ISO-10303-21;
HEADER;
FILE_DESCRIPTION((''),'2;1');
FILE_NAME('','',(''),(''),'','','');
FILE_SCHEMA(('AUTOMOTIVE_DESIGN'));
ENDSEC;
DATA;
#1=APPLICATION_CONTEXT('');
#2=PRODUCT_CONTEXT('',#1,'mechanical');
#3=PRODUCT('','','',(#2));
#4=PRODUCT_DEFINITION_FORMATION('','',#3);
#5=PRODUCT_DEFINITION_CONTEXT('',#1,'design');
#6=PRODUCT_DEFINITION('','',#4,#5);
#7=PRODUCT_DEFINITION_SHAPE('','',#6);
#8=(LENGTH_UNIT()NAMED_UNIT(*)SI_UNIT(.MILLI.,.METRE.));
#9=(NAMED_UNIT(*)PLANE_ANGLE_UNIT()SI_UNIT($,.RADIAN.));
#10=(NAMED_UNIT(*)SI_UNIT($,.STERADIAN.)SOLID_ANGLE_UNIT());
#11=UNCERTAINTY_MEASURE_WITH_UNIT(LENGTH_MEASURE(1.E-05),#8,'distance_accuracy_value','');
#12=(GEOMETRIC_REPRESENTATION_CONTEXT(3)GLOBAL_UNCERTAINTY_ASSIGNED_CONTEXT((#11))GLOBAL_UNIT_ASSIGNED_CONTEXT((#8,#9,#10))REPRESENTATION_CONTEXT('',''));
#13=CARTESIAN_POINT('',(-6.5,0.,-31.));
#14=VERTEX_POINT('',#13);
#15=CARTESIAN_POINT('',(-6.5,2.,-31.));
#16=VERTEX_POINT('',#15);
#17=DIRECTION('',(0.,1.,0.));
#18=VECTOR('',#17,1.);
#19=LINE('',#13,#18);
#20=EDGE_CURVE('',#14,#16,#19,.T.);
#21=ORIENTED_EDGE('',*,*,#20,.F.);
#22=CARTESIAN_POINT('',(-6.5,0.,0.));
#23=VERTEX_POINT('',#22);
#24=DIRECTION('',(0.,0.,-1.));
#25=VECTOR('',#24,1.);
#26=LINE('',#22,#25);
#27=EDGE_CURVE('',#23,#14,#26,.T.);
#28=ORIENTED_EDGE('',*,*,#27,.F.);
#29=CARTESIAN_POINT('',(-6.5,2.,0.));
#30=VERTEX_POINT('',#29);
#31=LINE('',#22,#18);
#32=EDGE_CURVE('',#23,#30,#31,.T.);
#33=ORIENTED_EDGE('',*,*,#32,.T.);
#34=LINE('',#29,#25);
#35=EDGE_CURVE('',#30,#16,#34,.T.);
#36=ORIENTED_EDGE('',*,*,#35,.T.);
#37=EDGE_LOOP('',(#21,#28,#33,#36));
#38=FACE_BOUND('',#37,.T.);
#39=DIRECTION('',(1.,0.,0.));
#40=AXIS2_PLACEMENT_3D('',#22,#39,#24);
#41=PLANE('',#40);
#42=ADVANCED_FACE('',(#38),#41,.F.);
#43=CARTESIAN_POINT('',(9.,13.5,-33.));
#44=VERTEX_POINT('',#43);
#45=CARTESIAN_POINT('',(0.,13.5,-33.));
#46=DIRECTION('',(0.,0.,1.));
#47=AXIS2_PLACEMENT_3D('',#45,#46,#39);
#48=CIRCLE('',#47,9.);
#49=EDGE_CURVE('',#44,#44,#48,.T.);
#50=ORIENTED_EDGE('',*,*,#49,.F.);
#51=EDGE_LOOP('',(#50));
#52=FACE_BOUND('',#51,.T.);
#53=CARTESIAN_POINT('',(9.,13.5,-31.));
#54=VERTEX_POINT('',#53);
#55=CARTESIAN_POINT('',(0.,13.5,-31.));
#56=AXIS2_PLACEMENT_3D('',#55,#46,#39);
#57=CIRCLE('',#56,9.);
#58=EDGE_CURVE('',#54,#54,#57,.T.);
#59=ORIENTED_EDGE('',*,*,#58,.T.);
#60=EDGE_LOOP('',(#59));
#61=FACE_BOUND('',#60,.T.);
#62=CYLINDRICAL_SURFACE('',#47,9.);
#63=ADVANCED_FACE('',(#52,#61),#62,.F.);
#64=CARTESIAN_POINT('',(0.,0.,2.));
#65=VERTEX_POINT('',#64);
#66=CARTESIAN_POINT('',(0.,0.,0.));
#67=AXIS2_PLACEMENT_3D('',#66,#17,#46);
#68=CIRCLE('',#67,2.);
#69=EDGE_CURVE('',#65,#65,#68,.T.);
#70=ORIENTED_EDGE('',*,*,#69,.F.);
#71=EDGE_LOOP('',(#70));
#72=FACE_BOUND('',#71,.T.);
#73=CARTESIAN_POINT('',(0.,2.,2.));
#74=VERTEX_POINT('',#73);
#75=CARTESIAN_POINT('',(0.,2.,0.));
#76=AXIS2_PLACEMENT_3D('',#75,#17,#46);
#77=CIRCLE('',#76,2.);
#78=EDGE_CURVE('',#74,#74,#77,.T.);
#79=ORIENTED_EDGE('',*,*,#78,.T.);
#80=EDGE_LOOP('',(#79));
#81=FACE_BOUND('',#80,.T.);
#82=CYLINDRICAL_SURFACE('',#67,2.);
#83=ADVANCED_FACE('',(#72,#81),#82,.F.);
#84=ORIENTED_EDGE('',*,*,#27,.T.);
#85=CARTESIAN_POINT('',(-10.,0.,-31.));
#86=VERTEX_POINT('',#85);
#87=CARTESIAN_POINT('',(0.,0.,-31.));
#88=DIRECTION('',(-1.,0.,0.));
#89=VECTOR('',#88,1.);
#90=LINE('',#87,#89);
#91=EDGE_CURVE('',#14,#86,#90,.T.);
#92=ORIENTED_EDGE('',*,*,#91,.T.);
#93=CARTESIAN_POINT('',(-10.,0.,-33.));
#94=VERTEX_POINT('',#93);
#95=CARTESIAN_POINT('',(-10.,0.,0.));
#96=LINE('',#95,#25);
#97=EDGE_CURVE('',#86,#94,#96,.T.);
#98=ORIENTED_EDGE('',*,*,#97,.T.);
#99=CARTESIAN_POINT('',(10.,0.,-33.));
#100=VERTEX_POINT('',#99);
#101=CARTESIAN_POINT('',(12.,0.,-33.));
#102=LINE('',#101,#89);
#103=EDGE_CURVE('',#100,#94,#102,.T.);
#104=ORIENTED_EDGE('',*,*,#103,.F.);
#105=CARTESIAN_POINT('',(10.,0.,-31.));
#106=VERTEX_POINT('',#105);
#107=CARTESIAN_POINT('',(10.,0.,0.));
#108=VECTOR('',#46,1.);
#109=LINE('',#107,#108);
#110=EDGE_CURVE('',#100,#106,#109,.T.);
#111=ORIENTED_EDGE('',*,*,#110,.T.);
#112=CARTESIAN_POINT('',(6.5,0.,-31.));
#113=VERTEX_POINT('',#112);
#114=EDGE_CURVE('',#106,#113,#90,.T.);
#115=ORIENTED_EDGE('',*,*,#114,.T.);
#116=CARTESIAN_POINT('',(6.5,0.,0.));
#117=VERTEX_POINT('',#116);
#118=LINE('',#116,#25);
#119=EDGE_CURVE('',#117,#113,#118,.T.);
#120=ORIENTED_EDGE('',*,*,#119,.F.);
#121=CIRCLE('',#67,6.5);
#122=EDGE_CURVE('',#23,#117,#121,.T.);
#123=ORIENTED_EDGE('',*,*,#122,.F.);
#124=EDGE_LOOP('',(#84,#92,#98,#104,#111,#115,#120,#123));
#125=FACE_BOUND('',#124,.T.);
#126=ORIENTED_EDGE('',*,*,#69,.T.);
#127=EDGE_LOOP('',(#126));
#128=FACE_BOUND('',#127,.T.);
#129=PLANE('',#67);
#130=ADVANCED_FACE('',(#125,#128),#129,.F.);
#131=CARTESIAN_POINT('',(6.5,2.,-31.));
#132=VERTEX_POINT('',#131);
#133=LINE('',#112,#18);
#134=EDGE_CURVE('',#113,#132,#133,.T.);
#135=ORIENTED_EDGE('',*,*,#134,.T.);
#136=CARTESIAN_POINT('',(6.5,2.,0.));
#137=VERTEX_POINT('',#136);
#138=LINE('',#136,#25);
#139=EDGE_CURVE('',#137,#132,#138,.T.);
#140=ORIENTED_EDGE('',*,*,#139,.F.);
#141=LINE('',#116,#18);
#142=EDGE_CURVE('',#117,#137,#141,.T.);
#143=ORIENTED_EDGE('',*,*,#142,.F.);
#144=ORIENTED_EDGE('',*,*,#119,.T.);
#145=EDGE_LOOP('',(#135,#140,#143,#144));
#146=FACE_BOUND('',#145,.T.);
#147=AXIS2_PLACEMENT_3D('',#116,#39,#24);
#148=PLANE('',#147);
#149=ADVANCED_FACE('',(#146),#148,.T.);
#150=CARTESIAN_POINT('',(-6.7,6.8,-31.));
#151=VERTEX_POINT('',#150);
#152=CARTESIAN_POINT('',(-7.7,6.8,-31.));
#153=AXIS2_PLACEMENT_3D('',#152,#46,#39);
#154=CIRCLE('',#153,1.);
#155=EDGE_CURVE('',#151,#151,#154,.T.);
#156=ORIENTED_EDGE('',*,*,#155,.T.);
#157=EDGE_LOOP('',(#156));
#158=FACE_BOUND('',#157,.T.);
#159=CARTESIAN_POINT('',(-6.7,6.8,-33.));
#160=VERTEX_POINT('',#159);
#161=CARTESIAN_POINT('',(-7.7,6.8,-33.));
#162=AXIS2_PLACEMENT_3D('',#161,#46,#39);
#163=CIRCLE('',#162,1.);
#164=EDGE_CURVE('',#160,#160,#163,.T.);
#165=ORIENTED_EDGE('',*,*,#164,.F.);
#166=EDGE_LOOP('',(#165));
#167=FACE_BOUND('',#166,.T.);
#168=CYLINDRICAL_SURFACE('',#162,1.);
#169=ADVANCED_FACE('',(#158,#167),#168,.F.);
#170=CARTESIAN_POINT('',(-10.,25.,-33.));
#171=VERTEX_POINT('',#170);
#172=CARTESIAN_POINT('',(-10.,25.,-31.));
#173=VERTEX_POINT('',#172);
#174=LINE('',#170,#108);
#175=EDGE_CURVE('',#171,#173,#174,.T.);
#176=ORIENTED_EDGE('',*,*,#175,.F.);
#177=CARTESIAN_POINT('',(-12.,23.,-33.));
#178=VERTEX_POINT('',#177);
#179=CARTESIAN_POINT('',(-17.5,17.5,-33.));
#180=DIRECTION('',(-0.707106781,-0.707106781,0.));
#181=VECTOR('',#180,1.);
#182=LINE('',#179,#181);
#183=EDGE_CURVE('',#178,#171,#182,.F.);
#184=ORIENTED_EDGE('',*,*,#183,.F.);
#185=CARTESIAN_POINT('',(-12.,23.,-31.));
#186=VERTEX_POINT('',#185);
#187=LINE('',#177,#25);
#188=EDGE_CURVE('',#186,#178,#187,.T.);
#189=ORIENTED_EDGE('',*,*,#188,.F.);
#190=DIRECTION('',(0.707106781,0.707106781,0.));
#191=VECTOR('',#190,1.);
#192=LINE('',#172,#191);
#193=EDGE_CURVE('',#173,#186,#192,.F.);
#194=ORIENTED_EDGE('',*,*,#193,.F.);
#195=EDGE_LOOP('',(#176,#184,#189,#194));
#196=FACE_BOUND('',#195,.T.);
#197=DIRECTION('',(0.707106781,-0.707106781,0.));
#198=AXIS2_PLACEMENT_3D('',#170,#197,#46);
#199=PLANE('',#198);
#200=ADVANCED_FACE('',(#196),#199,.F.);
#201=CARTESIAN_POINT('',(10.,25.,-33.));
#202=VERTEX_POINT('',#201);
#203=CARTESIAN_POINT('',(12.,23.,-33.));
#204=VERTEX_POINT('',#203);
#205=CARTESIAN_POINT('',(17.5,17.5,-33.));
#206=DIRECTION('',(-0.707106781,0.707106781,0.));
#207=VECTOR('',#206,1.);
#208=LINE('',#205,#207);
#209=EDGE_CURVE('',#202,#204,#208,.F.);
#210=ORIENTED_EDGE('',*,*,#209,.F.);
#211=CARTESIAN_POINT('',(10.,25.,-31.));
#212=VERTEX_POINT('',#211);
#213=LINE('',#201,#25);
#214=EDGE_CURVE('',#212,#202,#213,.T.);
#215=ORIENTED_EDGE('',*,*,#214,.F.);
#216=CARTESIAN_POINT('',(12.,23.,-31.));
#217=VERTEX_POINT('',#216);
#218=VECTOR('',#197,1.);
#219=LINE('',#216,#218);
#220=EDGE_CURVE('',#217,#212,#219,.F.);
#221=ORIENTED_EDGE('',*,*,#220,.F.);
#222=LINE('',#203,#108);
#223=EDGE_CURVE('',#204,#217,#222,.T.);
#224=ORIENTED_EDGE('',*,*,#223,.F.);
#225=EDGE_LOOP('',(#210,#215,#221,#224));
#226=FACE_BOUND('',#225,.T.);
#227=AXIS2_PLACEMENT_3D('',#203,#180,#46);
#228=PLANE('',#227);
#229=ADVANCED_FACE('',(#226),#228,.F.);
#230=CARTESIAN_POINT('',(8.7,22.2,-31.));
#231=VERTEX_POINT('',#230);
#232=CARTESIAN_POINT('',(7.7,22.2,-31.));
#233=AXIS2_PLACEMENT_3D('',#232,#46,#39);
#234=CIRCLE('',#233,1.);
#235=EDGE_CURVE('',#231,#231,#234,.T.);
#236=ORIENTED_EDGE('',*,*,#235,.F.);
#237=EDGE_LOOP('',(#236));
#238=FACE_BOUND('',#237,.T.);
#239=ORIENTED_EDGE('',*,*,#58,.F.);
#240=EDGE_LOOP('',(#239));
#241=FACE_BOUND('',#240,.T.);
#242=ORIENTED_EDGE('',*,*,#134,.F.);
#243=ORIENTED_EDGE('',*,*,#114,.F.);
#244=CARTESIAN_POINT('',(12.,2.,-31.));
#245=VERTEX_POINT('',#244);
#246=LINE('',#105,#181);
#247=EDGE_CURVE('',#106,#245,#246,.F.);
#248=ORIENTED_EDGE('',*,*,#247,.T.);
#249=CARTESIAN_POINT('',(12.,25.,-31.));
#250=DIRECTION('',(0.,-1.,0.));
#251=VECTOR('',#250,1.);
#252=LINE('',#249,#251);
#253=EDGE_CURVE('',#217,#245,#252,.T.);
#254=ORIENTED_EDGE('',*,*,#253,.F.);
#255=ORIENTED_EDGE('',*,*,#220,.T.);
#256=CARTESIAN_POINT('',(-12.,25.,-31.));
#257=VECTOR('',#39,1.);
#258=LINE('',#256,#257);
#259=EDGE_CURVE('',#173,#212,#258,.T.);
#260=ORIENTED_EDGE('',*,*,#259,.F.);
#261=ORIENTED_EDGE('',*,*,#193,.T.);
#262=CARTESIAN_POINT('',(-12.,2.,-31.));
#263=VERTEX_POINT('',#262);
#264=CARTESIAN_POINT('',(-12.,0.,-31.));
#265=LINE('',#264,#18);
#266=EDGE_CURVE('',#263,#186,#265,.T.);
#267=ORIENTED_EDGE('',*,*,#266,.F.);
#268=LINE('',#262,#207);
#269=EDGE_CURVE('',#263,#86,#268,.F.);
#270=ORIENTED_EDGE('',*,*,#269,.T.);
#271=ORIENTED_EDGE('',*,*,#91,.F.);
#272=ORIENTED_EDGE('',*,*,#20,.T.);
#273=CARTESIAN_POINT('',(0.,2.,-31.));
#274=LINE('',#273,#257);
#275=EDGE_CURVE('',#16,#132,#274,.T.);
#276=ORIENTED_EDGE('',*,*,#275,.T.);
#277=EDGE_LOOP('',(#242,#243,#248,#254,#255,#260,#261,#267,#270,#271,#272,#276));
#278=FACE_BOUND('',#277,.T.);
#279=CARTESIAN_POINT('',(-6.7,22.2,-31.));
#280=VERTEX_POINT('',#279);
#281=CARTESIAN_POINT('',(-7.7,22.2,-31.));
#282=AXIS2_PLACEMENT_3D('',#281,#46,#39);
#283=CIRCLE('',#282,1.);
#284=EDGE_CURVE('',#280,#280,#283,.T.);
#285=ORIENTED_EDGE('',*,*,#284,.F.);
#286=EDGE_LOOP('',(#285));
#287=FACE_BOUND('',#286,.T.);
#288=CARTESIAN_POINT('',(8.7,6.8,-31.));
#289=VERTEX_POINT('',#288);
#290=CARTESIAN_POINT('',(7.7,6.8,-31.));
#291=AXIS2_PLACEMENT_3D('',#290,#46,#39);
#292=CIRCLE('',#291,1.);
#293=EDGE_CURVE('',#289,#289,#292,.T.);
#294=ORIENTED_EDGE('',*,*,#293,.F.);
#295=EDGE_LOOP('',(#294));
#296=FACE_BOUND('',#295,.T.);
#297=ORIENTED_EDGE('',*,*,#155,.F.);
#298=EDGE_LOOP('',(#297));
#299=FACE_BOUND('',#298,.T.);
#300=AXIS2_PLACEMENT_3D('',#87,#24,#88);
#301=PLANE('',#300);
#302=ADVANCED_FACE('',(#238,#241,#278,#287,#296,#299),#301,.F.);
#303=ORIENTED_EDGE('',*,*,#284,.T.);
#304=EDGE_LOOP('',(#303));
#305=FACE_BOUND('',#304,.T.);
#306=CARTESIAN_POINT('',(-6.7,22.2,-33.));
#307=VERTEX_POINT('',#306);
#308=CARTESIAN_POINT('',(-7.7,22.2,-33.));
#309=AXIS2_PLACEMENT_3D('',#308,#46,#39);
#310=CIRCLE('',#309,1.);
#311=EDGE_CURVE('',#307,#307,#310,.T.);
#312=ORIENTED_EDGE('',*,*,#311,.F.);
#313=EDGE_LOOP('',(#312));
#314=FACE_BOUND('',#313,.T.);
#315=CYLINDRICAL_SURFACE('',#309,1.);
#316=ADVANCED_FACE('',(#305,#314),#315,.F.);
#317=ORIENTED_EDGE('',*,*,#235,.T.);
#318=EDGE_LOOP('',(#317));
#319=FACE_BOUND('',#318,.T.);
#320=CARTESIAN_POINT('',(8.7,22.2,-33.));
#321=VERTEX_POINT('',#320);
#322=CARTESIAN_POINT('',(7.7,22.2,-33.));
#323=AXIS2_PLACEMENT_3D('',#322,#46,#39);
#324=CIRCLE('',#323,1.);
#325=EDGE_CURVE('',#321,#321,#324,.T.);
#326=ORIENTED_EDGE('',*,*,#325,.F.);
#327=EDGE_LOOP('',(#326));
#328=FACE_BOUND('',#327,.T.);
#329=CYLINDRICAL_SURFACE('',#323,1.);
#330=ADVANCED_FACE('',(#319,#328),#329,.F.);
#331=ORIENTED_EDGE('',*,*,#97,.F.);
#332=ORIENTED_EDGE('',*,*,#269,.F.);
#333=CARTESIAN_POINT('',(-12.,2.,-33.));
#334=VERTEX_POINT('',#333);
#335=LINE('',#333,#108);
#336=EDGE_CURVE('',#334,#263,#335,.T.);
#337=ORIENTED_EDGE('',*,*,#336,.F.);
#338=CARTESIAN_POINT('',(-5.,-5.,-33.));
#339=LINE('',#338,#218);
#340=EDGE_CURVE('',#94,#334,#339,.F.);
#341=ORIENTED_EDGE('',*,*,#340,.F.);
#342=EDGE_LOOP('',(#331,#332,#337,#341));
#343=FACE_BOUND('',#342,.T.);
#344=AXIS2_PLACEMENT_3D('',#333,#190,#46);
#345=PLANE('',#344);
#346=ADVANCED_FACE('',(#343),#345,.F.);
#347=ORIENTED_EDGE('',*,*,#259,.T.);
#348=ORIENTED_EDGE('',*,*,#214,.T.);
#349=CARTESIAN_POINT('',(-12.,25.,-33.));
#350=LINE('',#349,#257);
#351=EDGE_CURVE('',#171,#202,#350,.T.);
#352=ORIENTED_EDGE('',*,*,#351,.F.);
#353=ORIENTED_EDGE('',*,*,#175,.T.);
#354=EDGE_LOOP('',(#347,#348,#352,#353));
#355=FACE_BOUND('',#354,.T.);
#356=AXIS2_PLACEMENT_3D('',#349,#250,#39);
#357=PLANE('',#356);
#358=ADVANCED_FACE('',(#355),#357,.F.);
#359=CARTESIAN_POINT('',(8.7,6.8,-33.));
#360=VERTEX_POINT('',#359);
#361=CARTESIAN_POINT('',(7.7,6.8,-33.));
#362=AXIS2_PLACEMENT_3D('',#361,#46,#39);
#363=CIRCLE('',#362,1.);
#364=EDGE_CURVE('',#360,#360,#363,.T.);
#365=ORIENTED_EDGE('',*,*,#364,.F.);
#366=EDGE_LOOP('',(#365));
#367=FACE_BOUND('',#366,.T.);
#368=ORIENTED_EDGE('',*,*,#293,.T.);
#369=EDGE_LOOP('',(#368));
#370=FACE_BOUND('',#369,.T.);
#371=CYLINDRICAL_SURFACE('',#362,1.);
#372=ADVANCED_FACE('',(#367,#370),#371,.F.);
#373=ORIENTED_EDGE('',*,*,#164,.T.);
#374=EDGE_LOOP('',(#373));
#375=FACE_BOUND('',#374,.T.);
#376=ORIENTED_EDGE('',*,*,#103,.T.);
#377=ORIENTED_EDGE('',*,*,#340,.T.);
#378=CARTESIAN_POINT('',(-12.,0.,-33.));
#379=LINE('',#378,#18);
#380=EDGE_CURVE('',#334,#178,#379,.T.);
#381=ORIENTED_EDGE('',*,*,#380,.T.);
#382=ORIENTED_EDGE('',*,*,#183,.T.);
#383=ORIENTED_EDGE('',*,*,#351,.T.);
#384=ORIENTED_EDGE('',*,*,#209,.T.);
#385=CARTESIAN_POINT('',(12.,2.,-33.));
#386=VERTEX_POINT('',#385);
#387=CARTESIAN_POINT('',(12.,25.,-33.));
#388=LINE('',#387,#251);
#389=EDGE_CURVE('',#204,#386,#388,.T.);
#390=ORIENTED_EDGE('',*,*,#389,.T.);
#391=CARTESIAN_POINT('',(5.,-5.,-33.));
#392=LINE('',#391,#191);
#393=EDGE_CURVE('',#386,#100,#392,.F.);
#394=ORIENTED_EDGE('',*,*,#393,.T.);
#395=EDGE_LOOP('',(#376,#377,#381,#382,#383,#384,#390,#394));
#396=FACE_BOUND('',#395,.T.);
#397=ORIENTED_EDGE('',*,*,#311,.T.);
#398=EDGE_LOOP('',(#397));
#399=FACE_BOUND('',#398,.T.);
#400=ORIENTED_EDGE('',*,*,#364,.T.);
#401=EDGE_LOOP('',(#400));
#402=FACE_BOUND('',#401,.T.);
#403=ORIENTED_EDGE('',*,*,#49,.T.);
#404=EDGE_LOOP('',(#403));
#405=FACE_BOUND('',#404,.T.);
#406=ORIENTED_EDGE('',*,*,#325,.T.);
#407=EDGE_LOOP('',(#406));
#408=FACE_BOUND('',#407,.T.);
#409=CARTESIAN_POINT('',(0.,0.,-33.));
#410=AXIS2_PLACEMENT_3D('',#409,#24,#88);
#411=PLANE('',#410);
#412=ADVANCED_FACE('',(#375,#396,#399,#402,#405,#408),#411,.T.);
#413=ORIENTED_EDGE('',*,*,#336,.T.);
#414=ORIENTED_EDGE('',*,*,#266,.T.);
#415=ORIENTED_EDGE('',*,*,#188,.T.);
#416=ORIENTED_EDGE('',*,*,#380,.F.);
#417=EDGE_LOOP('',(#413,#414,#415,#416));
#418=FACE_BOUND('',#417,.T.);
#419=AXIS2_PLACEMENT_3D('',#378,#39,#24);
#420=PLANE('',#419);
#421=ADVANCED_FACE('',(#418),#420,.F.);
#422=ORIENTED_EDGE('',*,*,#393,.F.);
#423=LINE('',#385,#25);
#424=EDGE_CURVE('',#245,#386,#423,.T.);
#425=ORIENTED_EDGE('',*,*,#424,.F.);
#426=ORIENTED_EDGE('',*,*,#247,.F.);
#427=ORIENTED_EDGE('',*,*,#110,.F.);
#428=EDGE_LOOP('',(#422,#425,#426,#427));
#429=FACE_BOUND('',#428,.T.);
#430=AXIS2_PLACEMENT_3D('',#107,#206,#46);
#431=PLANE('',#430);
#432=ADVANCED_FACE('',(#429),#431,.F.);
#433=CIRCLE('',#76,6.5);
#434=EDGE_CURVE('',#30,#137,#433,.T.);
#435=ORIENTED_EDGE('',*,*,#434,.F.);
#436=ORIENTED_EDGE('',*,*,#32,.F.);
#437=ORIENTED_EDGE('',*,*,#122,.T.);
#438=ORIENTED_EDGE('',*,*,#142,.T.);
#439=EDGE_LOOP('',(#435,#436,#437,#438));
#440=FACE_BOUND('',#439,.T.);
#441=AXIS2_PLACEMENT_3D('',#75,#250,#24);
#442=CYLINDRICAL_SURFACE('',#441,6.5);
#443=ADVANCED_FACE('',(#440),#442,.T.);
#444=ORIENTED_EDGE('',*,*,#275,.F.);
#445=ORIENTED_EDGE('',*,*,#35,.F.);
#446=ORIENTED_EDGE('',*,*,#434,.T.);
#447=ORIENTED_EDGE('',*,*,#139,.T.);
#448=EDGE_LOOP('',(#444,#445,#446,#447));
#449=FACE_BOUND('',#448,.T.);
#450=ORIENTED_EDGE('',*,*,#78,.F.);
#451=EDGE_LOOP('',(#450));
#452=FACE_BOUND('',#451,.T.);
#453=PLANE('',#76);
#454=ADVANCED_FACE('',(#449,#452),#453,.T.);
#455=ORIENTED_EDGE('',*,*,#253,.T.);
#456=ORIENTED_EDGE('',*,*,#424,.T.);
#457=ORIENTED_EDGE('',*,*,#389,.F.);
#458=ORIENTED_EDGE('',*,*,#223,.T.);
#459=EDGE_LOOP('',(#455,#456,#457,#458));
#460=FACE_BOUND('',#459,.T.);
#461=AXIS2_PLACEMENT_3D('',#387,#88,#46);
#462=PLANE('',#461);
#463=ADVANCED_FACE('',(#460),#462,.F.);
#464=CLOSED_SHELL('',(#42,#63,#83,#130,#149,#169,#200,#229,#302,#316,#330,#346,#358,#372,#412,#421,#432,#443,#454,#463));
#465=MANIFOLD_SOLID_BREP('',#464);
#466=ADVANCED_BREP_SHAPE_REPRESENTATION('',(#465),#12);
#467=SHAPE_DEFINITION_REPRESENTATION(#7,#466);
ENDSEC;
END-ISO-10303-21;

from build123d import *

# Parameters (mm, degrees)
SKETCH_2_R          = 6.5
EXTRUDE_1_DEPTH     = 2
SKETCH_3_R          = 2
CUT_EXTRUDE_2_DEPTH = 10.407443861
EXTRUDE_START       = -2
EXTRUDE_2_DEPTH     = 2
EXTRUDE_3_DEPTH     = 2
SKETCH_22_R         = 9
SKETCH_22_R_2       = 1
CUT_EXTRUDE_4_DEPTH = 2
CHAMFER_1_SIZE      = 2


with BuildPart() as part:
    # 草图2 → 凸台-拉伸1 (new body)
    with BuildSketch(Plane(origin=(0, 0, 0), x_dir=(1, 0, 0), z_dir=(0, 1, 0))):
        with Locations(Location((0, 0, 0), (0, 0, 270))):
            Circle(SKETCH_2_R)
    extrude(amount=EXTRUDE_1_DEPTH)

    # 草图3 → 切除-拉伸2 (cut, through all)
    with BuildSketch(Plane(origin=(0, 2, 0), x_dir=(1, 0, 0), z_dir=(0, 1, 0))):
        with Locations(Location((0, 0, 0), (0, 0, 270))):
            Circle(SKETCH_3_R)
    extrude(amount=-CUT_EXTRUDE_2_DEPTH, mode=Mode.SUBTRACT)

    # 草图4 → 凸台-拉伸2 (add)
    with BuildSketch(Plane(origin=(0, 2, 0), x_dir=(1, 0, 0), z_dir=(0, 1, 0)).offset(EXTRUDE_START)):
        with BuildLine():
            Line((6.5, 0), (6.5, 31))
            Line((6.5, 31), (3.899148682, 31))
            Line((3.899148682, 31), (-4.100851318, 31))
            Line((-4.100851318, 31), (-6.5, 31))
            Line((-6.5, 31), (-6.5, 0))
            ThreePointArc((-6.5, 0), (0, 6.5), (6.5, 0))
        make_face()
    extrude(amount=EXTRUDE_2_DEPTH)

    # 草图21 → 凸台-拉伸3 (add)
    with BuildSketch(Plane(origin=(0, 0, -31), x_dir=(-1, 0, 0), z_dir=(0, 0, -1))):
        Polygon((0, 0), (12, 0), (12, 25), (-12, 25), (-12, 0), align=None)
    extrude(amount=EXTRUDE_3_DEPTH)

    # 草图22 → 切除-拉伸4 (cut)
    with BuildSketch(Plane.XY.offset(-31)):
        with Locations((0, 13.5)):
            Circle(SKETCH_22_R)
        with Locations((7.7, 22.2)):
            Circle(SKETCH_22_R_2)
        with Locations((-7.7, 22.2)):
            Circle(SKETCH_22_R_2)
        with Locations((-7.7, 6.8)):
            Circle(SKETCH_22_R_2)
        with Locations((7.7, 6.8)):
            Circle(SKETCH_22_R_2)
    extrude(amount=-CUT_EXTRUDE_4_DEPTH, mode=Mode.SUBTRACT)

    # 倒角1
    chamfer_1_edges = [part.edges().sort_by_distance(p)[0] for p in [
        (12, 0, -32),
        (-12, 0, -32),
        (-12, 25, -32),
        (12, 25, -32),
    ]]
    chamfer(chamfer_1_edges, length=CHAMFER_1_SIZE)


solid = part.part
